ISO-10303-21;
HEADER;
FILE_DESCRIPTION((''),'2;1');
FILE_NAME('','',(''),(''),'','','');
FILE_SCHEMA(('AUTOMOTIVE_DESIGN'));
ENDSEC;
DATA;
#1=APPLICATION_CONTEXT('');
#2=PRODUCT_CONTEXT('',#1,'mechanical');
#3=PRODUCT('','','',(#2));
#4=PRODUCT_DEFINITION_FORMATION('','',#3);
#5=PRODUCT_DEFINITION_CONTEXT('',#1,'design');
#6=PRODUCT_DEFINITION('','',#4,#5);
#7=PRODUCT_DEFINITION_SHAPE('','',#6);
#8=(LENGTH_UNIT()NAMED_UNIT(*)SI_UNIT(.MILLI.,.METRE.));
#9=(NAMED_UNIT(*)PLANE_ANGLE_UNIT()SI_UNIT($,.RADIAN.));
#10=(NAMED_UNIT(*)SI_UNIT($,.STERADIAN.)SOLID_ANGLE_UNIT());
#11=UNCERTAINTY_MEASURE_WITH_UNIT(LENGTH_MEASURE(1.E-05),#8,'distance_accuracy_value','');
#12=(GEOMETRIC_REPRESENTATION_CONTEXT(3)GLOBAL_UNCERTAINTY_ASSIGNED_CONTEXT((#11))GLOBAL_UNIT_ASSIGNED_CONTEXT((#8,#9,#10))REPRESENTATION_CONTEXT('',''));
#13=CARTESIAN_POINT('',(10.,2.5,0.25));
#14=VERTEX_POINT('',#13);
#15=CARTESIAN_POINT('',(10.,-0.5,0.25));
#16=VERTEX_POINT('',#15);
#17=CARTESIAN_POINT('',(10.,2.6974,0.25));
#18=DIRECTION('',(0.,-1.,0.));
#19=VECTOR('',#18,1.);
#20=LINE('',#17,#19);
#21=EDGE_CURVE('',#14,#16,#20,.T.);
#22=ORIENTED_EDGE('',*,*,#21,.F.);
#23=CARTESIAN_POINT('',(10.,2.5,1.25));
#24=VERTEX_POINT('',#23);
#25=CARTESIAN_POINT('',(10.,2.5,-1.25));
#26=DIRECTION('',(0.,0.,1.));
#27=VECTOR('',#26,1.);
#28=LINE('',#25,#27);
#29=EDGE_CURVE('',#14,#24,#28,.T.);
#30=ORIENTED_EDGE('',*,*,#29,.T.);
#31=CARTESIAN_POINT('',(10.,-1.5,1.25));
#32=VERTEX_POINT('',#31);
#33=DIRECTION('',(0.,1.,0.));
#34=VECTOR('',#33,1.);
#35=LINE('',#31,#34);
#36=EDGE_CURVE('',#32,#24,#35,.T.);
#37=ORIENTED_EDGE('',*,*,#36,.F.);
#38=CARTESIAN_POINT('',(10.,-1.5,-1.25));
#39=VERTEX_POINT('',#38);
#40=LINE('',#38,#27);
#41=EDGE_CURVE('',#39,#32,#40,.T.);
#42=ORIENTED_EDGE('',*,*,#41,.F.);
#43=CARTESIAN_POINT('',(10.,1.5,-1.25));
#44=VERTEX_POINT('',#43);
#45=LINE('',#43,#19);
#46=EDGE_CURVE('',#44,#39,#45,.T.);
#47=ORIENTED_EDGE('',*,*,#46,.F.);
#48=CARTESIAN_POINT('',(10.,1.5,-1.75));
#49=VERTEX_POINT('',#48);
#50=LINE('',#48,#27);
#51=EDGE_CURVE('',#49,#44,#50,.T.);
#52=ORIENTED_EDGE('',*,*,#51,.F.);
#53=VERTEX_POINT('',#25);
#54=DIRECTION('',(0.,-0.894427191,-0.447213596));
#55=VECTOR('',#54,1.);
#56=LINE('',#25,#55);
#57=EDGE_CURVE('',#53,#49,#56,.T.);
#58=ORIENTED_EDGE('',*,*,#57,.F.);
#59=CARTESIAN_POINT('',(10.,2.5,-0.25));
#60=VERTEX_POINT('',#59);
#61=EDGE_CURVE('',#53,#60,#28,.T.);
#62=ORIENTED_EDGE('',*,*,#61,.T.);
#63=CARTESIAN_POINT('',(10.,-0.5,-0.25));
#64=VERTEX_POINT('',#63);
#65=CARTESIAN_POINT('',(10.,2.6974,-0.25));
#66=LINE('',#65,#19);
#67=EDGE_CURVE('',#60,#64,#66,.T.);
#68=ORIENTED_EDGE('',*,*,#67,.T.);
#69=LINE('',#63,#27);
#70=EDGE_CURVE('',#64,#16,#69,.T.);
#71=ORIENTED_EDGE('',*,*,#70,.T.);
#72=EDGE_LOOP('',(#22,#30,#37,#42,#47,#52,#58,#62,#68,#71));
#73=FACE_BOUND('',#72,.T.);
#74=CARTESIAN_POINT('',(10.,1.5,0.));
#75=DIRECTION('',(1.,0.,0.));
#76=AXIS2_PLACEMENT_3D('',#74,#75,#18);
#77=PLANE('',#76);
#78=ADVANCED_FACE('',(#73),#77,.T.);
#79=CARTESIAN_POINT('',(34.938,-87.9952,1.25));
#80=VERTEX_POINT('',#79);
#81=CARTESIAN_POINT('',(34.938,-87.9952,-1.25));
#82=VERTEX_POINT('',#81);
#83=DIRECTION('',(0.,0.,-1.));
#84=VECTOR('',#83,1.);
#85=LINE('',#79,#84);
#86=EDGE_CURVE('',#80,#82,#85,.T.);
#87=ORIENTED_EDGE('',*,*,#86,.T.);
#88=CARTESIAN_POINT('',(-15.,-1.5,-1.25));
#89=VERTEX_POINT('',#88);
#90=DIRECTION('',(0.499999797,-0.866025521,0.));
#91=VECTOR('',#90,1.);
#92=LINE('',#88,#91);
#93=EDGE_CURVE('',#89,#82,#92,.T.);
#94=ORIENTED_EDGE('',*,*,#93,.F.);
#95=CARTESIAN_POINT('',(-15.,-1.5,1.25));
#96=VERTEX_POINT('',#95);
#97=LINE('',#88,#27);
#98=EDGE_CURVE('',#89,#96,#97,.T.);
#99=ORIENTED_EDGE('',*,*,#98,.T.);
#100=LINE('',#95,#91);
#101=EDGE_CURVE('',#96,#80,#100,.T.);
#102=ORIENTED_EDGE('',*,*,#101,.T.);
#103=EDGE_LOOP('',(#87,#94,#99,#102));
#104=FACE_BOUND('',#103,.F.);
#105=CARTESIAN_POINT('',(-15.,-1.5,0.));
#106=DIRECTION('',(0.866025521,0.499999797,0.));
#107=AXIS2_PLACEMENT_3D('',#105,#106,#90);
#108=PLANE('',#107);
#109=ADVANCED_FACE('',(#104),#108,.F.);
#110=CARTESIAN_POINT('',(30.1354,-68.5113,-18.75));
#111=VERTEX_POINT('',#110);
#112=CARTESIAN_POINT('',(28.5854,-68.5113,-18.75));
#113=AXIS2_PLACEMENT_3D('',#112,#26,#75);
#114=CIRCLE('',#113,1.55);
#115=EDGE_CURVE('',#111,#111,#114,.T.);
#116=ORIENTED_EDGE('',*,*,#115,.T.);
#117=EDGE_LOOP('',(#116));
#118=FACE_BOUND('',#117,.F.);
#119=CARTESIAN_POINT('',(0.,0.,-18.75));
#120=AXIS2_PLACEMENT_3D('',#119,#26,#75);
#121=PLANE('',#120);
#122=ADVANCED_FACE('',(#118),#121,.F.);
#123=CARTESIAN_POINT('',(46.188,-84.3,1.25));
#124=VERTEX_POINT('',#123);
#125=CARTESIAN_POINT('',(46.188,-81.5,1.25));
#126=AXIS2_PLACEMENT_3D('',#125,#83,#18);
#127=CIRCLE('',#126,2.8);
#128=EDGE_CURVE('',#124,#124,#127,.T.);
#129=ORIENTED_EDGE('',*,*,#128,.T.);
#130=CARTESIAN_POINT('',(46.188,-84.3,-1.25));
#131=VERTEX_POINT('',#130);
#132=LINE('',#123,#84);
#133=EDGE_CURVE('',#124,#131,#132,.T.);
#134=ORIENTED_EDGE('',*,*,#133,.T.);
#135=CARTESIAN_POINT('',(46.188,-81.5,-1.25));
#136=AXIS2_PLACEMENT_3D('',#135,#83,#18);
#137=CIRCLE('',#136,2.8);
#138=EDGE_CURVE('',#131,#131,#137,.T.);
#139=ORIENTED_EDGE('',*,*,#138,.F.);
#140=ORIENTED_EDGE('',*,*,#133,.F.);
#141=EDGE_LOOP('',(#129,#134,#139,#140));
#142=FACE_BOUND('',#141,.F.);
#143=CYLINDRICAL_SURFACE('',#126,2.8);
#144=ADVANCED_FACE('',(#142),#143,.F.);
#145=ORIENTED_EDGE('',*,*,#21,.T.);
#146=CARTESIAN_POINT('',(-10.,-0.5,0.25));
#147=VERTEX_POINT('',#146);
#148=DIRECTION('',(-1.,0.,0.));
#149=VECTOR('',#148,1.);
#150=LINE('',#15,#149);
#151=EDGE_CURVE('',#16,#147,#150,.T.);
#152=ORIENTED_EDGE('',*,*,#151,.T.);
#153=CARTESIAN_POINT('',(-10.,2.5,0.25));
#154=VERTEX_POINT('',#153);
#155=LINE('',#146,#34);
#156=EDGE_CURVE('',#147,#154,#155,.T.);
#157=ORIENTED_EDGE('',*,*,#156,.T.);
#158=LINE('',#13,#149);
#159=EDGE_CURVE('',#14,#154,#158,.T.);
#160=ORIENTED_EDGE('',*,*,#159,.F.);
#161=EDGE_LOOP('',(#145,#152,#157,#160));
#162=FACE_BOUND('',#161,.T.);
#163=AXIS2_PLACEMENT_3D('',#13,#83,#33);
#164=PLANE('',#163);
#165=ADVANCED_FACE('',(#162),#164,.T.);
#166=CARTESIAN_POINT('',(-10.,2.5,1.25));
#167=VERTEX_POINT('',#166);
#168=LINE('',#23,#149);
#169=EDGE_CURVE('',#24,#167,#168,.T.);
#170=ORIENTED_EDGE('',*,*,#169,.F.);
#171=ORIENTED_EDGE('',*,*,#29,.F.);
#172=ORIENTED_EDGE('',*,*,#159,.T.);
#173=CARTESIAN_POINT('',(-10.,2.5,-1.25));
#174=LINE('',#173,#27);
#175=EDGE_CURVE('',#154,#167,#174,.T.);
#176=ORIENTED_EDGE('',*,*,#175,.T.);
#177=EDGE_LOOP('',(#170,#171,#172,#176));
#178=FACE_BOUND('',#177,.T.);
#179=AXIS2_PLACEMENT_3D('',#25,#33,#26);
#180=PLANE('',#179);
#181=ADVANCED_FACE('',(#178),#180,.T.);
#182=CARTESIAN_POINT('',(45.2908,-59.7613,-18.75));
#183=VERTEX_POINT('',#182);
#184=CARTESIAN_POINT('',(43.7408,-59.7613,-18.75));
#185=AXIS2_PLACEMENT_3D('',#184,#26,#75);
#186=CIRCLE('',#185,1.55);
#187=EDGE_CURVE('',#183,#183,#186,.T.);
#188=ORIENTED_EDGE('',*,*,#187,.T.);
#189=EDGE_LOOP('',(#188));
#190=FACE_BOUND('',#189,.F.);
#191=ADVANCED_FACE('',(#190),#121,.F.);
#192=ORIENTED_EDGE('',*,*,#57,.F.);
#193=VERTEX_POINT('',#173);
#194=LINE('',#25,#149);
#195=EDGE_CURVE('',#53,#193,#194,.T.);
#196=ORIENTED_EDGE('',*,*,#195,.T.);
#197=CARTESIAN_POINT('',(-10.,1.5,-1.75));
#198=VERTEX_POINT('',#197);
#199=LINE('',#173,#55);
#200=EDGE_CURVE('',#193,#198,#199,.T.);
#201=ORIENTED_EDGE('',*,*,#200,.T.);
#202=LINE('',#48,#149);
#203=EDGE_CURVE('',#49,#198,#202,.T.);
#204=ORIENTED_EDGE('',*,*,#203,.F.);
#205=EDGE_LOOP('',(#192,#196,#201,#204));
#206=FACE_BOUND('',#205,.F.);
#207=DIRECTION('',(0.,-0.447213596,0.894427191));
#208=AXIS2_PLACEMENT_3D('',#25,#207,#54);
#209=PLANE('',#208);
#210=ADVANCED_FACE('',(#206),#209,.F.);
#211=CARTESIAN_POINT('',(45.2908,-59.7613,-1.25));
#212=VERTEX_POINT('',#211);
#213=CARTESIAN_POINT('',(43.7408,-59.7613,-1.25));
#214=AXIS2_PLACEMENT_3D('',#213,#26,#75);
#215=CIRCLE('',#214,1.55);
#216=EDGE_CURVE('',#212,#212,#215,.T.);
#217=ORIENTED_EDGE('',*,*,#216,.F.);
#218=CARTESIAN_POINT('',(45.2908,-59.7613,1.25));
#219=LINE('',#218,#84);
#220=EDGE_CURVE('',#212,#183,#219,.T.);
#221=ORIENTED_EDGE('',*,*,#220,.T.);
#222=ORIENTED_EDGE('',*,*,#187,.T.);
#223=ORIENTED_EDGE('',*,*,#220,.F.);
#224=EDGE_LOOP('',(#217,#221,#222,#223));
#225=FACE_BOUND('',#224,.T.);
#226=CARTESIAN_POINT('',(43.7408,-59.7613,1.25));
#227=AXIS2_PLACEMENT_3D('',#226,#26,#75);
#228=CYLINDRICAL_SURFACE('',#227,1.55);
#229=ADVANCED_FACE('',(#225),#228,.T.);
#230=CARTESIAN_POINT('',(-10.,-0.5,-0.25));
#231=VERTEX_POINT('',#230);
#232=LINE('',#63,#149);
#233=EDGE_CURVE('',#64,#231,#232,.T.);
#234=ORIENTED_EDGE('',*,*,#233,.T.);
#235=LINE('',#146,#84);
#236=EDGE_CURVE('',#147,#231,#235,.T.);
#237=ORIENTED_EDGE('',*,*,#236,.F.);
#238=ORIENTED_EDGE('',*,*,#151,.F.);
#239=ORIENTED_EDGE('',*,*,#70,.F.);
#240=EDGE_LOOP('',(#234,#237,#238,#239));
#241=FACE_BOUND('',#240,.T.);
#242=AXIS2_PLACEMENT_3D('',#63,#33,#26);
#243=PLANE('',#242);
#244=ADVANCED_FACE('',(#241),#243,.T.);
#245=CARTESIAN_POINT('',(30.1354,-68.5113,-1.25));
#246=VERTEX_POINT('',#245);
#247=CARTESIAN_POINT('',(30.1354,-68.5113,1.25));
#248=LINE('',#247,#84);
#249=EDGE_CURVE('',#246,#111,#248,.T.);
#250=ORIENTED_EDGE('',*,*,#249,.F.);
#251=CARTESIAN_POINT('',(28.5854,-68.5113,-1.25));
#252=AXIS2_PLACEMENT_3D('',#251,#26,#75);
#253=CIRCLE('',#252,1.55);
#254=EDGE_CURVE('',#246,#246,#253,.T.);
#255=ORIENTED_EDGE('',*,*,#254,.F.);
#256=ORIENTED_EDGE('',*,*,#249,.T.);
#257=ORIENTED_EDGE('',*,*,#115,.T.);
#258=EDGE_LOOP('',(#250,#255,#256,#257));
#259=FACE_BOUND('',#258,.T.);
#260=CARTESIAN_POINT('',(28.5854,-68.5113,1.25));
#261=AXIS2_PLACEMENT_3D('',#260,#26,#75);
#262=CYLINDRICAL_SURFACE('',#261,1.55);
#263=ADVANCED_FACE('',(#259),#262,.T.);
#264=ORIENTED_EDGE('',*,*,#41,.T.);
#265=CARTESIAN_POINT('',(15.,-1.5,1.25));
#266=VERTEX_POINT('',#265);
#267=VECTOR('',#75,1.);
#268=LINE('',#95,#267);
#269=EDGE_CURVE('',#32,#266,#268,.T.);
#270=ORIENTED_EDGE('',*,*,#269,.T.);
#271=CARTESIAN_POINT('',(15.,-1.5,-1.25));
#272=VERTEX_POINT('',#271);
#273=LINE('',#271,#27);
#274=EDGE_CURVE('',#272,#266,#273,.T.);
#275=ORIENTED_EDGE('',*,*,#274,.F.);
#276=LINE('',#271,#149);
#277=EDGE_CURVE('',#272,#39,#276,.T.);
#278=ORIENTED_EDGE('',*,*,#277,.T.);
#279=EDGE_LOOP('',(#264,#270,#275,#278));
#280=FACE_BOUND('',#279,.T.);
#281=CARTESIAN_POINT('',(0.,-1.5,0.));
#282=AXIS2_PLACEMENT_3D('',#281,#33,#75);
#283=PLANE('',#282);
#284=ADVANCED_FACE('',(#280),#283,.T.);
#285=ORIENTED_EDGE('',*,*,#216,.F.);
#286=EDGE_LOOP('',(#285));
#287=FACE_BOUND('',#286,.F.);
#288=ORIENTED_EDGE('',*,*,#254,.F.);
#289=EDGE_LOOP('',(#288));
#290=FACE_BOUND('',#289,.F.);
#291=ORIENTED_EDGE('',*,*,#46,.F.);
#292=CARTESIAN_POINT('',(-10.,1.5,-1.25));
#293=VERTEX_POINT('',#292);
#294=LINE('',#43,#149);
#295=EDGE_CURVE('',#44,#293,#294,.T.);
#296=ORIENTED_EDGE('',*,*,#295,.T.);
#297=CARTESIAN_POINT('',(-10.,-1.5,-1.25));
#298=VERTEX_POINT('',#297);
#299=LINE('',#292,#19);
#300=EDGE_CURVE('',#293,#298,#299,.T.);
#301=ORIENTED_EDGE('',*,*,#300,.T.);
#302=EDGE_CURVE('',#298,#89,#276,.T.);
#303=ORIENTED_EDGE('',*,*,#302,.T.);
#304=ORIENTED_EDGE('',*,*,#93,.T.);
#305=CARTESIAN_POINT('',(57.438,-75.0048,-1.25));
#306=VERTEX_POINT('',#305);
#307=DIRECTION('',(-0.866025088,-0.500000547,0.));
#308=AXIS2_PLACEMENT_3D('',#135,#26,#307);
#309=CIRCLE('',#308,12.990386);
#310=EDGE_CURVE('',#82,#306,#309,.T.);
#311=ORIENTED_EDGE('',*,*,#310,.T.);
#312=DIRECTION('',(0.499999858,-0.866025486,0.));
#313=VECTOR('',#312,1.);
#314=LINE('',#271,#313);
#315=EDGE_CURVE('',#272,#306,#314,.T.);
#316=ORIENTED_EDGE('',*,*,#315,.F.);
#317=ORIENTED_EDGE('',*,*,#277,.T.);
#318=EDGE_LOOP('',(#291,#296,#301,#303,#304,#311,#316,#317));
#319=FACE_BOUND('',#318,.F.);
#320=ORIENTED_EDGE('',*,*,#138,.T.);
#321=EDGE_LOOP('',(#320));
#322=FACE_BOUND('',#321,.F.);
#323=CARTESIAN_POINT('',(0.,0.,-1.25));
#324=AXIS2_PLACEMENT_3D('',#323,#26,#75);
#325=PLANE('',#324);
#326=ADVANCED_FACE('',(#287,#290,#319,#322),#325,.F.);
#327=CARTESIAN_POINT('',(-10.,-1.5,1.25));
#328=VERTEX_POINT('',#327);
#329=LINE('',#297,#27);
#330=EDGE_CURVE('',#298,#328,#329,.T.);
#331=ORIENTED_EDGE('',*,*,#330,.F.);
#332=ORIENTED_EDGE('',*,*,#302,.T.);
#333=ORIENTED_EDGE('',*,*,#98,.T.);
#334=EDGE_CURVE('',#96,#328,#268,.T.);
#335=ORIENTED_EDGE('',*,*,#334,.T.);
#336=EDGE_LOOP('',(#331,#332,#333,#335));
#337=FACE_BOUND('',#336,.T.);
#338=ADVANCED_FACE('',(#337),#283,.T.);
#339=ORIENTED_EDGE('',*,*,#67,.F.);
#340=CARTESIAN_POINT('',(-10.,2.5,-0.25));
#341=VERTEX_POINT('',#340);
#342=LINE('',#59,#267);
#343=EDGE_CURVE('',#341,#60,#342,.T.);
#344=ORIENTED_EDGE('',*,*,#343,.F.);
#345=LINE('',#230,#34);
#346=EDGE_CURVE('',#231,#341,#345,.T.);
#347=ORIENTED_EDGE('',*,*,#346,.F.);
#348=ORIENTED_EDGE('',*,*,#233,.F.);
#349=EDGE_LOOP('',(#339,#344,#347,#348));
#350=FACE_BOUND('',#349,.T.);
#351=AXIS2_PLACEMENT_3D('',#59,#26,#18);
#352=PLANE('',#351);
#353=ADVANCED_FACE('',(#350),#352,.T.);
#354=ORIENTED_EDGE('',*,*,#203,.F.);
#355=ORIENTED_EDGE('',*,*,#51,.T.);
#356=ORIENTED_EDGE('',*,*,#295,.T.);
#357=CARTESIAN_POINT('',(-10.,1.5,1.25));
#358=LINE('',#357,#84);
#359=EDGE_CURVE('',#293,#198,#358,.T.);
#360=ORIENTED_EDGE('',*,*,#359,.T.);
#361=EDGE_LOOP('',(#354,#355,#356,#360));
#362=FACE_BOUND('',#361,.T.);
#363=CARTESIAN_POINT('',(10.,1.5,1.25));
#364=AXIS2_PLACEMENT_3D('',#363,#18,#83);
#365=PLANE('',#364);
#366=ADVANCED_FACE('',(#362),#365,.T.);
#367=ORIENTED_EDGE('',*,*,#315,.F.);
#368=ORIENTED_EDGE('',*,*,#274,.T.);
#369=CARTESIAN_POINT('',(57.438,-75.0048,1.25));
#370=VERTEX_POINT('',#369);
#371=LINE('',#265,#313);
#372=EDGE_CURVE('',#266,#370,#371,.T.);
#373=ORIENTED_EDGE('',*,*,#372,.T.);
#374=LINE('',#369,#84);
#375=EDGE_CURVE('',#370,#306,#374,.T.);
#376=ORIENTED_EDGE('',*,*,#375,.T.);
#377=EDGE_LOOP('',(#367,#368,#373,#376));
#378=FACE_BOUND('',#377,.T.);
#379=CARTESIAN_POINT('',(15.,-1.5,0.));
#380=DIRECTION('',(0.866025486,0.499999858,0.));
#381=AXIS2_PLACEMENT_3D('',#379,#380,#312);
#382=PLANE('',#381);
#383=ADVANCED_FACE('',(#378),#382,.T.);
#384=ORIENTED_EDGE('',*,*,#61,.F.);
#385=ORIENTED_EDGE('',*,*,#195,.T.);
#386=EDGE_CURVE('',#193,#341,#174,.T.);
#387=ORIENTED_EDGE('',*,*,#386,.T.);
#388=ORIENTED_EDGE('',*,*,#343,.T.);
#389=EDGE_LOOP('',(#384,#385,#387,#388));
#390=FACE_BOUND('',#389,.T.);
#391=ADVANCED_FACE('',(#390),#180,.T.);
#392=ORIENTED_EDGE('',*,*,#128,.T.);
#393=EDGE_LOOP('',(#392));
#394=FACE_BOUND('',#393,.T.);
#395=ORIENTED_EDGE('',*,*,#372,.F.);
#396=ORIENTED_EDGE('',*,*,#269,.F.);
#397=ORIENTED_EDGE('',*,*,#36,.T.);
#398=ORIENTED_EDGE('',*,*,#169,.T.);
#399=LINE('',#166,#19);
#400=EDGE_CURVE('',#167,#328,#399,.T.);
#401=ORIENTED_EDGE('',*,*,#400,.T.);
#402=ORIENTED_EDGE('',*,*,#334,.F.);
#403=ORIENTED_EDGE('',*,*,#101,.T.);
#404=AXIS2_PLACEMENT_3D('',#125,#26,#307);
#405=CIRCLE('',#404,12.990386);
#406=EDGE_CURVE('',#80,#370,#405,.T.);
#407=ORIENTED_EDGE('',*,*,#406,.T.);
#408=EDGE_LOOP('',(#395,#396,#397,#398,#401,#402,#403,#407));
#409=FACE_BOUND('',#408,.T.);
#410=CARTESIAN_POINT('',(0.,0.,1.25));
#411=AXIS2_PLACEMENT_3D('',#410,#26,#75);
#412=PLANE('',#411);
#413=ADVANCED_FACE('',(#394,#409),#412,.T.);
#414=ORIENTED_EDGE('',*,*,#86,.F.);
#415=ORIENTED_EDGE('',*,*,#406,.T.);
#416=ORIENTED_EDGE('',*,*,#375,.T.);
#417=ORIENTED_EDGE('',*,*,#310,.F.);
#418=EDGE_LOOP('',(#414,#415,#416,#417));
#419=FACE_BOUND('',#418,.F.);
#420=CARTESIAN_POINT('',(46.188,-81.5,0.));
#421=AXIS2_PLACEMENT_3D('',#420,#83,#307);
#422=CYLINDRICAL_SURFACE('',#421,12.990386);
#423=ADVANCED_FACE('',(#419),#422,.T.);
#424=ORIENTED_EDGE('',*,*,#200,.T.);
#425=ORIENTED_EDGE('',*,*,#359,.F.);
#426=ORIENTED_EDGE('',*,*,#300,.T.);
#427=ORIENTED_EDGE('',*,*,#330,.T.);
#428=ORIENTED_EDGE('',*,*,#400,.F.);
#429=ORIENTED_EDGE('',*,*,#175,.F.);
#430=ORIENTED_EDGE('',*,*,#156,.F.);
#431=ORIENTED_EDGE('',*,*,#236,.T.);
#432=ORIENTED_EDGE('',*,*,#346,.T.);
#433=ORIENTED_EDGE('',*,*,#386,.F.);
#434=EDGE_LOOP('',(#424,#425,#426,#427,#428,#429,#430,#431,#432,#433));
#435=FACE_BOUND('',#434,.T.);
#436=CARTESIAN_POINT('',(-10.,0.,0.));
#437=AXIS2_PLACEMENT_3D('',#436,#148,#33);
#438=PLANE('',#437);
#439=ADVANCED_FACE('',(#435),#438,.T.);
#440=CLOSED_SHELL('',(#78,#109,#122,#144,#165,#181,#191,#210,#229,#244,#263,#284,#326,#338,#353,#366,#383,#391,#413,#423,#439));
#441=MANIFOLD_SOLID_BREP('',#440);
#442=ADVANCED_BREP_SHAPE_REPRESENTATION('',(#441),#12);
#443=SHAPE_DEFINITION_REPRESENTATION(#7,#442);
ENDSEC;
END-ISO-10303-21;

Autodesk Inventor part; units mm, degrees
ref_plane "YZ Plane" through (0, 0, 0) normal (1, 0, 0) x (0, 1, 0)
ref_plane "XZ Plane" through (0, 0, 0) normal (0, 1, 0) x (-1, 0, 0)
ref_plane "XY Plane" through (0, 0, 0) normal (0, 0, 1) x (1, 0, 0)
sketch "Sketch1" plane through (0, 0, 0) normal (0, 0, 1) x (1, 0, 0)
  line L0 (-16.8629, 0) -> (19.5362, 0)
  line L1 (0, 12.2153) -> (0, -13.8193)
  line L2 (-10, 1.5) -> (10, 1.5)
  line L3 (10, 1.5) -> (10, -1.5)
  line L4 (10, -1.5) -> (-10, -1.5)
  line L5 (-10, -1.5) -> (-10, 1.5)
  point P0 (0, 0)
  point P1 (0, -1.5)
  point P2 (0, 1.5)
  dimension "d0" = 3
  dimension "d1" = 20
sketch "Sketch3" plane through (0, 0, 0) normal (0, 0, 1) x (1, 0, 0)
  line L0 (0, 4.1951) -> (0, -4.771)
  line L1 (15, -1.5) -> (57.438, -75.0048)
  line L2 (-15, -1.5) -> (34.938, -87.9952)
  line L3 (0, -1.5) -> (34.9904, -62.1052)
  arc A0 (34.938, -87.9952) -> (57.438, -75.0048) centre (46.188, -81.5) ccw
  line L4 (-17.5915, 0) -> (22.0991, 0)
  line L5 (-15, -1.5) -> (15, -1.5)
  point P0 (0, -0.2879)
  dimension "d20" = 30
  dimension "d36" = 3
  dimension "d37" = 80
  dimension "d38" = 12.9904
  dimension "d39" = 124.2104
  dimension "d40" = 44.1981
  dimension "d41" = 8.3903
  dimension "d42" = 0.5758
  dimension "d43" = 3
  dimension "d44" = 35.1831
extrude "Extrusion1" add sketch "Sketch3" along normal mid plane 2.5
sketch "Sketch5" plane through (0, 0, 1.25) normal (0, 0, 1) x (1, 0, 0)
  arc A0 (34.938, -87.9952) -> (57.438, -75.0048) centre (46.188, -81.5) ccw projected
  point P0 (0, 0)
  point P1 (38.391, -42.0144)
hole "Hole1" at (46.188, -81.5, 1.25) direction (0, 0, -1) diameter 5.6 end through all
sketch "Sketch6" plane through (0, 0, 1.25) normal (0, 0, 1) x (1, 0, 0)
  line L0 (21.1799, -20.6847) -> (35.9337, -46.239)
  line L1 (4.4808, -26.761) -> (20.9112, -55.2193)
  line L2 (57.438, -75.0048) -> (15, -1.5) projected
  line L3 (28.5854, -68.5113) -> (43.7408, -59.7613)
  circle A0 centre (43.7408, -59.7613) radius 1.55
  circle A1 centre (28.5854, -68.5113) radius 1.55
  circle A2 centre (46.188, -81.5) radius 2.8 projected
  line L4 (46.188, -81.5) -> (10.4204, -19.5487)
  line L5 (43.7408, -59.7613) -> (46.188, -81.5)
  point P0 (0, 0)
  point P1 (38.391, -42.0144)
  dimension "d25" = 17.5
  dimension "d26" = 3.1
  dimension "d27" = 3.1
  dimension "d32" = 21.876
extrude "Extrusion3" add sketch "Sketch6" against normal blind 20 contours A1 | A0 L5 L3 | L3 L5 A0
extrude "Extrusion4" add sketch "Sketch1" along normal mid plane 2.5
sketch "Sketch7" plane through (10, -1.5, 1.25) normal (1, 0, 0) x (0, 0, -1)
  line L0 (0, 0) -> (0, 3) projected
  line L1 (0, 3) -> (2.5, 3)
  line L2 (2.5, 3) -> (2.5, 4)
  line L3 (2.5, 4) -> (0, 4)
  line L4 (0, 4) -> (0, 3)
  line L5 (2.5, 4) -> (3, 3)
  line L6 (3, 3) -> (2.5, 3)
  point P0 (1.25, 1.5)
  dimension "d45" = 1
  dimension "d46" = 0.5
extrude "Extrusion5" add sketch "Sketch7" against normal up to surface (20 mm away)
sketch "Sketch8" plane through (10, -1.5, 1.25) normal (1, 0, 0) x (0, 0, -1)
  line L0 (2.5, 4) -> (0, 4) projected
  line L1 (1.25, 4) -> (1.25, -0.4591)
  line L2 (1, 4.1974) -> (1.5, 4.1974)
  line L3 (1.5, 4.1974) -> (1.5, 1)
  line L4 (1.5, 1) -> (1, 1)
  line L5 (1, 1) -> (1, 4.1974)
  line L6 (2.5, 0) -> (0, 0) projected
  point P0 (1.25, 1.5)
  dimension "d49" = 1
  dimension "d50" = 0.5
extrude "Extrusion6" cut sketch "Sketch8" against normal up to surface (20 mm away)
properties part number "bacak"
